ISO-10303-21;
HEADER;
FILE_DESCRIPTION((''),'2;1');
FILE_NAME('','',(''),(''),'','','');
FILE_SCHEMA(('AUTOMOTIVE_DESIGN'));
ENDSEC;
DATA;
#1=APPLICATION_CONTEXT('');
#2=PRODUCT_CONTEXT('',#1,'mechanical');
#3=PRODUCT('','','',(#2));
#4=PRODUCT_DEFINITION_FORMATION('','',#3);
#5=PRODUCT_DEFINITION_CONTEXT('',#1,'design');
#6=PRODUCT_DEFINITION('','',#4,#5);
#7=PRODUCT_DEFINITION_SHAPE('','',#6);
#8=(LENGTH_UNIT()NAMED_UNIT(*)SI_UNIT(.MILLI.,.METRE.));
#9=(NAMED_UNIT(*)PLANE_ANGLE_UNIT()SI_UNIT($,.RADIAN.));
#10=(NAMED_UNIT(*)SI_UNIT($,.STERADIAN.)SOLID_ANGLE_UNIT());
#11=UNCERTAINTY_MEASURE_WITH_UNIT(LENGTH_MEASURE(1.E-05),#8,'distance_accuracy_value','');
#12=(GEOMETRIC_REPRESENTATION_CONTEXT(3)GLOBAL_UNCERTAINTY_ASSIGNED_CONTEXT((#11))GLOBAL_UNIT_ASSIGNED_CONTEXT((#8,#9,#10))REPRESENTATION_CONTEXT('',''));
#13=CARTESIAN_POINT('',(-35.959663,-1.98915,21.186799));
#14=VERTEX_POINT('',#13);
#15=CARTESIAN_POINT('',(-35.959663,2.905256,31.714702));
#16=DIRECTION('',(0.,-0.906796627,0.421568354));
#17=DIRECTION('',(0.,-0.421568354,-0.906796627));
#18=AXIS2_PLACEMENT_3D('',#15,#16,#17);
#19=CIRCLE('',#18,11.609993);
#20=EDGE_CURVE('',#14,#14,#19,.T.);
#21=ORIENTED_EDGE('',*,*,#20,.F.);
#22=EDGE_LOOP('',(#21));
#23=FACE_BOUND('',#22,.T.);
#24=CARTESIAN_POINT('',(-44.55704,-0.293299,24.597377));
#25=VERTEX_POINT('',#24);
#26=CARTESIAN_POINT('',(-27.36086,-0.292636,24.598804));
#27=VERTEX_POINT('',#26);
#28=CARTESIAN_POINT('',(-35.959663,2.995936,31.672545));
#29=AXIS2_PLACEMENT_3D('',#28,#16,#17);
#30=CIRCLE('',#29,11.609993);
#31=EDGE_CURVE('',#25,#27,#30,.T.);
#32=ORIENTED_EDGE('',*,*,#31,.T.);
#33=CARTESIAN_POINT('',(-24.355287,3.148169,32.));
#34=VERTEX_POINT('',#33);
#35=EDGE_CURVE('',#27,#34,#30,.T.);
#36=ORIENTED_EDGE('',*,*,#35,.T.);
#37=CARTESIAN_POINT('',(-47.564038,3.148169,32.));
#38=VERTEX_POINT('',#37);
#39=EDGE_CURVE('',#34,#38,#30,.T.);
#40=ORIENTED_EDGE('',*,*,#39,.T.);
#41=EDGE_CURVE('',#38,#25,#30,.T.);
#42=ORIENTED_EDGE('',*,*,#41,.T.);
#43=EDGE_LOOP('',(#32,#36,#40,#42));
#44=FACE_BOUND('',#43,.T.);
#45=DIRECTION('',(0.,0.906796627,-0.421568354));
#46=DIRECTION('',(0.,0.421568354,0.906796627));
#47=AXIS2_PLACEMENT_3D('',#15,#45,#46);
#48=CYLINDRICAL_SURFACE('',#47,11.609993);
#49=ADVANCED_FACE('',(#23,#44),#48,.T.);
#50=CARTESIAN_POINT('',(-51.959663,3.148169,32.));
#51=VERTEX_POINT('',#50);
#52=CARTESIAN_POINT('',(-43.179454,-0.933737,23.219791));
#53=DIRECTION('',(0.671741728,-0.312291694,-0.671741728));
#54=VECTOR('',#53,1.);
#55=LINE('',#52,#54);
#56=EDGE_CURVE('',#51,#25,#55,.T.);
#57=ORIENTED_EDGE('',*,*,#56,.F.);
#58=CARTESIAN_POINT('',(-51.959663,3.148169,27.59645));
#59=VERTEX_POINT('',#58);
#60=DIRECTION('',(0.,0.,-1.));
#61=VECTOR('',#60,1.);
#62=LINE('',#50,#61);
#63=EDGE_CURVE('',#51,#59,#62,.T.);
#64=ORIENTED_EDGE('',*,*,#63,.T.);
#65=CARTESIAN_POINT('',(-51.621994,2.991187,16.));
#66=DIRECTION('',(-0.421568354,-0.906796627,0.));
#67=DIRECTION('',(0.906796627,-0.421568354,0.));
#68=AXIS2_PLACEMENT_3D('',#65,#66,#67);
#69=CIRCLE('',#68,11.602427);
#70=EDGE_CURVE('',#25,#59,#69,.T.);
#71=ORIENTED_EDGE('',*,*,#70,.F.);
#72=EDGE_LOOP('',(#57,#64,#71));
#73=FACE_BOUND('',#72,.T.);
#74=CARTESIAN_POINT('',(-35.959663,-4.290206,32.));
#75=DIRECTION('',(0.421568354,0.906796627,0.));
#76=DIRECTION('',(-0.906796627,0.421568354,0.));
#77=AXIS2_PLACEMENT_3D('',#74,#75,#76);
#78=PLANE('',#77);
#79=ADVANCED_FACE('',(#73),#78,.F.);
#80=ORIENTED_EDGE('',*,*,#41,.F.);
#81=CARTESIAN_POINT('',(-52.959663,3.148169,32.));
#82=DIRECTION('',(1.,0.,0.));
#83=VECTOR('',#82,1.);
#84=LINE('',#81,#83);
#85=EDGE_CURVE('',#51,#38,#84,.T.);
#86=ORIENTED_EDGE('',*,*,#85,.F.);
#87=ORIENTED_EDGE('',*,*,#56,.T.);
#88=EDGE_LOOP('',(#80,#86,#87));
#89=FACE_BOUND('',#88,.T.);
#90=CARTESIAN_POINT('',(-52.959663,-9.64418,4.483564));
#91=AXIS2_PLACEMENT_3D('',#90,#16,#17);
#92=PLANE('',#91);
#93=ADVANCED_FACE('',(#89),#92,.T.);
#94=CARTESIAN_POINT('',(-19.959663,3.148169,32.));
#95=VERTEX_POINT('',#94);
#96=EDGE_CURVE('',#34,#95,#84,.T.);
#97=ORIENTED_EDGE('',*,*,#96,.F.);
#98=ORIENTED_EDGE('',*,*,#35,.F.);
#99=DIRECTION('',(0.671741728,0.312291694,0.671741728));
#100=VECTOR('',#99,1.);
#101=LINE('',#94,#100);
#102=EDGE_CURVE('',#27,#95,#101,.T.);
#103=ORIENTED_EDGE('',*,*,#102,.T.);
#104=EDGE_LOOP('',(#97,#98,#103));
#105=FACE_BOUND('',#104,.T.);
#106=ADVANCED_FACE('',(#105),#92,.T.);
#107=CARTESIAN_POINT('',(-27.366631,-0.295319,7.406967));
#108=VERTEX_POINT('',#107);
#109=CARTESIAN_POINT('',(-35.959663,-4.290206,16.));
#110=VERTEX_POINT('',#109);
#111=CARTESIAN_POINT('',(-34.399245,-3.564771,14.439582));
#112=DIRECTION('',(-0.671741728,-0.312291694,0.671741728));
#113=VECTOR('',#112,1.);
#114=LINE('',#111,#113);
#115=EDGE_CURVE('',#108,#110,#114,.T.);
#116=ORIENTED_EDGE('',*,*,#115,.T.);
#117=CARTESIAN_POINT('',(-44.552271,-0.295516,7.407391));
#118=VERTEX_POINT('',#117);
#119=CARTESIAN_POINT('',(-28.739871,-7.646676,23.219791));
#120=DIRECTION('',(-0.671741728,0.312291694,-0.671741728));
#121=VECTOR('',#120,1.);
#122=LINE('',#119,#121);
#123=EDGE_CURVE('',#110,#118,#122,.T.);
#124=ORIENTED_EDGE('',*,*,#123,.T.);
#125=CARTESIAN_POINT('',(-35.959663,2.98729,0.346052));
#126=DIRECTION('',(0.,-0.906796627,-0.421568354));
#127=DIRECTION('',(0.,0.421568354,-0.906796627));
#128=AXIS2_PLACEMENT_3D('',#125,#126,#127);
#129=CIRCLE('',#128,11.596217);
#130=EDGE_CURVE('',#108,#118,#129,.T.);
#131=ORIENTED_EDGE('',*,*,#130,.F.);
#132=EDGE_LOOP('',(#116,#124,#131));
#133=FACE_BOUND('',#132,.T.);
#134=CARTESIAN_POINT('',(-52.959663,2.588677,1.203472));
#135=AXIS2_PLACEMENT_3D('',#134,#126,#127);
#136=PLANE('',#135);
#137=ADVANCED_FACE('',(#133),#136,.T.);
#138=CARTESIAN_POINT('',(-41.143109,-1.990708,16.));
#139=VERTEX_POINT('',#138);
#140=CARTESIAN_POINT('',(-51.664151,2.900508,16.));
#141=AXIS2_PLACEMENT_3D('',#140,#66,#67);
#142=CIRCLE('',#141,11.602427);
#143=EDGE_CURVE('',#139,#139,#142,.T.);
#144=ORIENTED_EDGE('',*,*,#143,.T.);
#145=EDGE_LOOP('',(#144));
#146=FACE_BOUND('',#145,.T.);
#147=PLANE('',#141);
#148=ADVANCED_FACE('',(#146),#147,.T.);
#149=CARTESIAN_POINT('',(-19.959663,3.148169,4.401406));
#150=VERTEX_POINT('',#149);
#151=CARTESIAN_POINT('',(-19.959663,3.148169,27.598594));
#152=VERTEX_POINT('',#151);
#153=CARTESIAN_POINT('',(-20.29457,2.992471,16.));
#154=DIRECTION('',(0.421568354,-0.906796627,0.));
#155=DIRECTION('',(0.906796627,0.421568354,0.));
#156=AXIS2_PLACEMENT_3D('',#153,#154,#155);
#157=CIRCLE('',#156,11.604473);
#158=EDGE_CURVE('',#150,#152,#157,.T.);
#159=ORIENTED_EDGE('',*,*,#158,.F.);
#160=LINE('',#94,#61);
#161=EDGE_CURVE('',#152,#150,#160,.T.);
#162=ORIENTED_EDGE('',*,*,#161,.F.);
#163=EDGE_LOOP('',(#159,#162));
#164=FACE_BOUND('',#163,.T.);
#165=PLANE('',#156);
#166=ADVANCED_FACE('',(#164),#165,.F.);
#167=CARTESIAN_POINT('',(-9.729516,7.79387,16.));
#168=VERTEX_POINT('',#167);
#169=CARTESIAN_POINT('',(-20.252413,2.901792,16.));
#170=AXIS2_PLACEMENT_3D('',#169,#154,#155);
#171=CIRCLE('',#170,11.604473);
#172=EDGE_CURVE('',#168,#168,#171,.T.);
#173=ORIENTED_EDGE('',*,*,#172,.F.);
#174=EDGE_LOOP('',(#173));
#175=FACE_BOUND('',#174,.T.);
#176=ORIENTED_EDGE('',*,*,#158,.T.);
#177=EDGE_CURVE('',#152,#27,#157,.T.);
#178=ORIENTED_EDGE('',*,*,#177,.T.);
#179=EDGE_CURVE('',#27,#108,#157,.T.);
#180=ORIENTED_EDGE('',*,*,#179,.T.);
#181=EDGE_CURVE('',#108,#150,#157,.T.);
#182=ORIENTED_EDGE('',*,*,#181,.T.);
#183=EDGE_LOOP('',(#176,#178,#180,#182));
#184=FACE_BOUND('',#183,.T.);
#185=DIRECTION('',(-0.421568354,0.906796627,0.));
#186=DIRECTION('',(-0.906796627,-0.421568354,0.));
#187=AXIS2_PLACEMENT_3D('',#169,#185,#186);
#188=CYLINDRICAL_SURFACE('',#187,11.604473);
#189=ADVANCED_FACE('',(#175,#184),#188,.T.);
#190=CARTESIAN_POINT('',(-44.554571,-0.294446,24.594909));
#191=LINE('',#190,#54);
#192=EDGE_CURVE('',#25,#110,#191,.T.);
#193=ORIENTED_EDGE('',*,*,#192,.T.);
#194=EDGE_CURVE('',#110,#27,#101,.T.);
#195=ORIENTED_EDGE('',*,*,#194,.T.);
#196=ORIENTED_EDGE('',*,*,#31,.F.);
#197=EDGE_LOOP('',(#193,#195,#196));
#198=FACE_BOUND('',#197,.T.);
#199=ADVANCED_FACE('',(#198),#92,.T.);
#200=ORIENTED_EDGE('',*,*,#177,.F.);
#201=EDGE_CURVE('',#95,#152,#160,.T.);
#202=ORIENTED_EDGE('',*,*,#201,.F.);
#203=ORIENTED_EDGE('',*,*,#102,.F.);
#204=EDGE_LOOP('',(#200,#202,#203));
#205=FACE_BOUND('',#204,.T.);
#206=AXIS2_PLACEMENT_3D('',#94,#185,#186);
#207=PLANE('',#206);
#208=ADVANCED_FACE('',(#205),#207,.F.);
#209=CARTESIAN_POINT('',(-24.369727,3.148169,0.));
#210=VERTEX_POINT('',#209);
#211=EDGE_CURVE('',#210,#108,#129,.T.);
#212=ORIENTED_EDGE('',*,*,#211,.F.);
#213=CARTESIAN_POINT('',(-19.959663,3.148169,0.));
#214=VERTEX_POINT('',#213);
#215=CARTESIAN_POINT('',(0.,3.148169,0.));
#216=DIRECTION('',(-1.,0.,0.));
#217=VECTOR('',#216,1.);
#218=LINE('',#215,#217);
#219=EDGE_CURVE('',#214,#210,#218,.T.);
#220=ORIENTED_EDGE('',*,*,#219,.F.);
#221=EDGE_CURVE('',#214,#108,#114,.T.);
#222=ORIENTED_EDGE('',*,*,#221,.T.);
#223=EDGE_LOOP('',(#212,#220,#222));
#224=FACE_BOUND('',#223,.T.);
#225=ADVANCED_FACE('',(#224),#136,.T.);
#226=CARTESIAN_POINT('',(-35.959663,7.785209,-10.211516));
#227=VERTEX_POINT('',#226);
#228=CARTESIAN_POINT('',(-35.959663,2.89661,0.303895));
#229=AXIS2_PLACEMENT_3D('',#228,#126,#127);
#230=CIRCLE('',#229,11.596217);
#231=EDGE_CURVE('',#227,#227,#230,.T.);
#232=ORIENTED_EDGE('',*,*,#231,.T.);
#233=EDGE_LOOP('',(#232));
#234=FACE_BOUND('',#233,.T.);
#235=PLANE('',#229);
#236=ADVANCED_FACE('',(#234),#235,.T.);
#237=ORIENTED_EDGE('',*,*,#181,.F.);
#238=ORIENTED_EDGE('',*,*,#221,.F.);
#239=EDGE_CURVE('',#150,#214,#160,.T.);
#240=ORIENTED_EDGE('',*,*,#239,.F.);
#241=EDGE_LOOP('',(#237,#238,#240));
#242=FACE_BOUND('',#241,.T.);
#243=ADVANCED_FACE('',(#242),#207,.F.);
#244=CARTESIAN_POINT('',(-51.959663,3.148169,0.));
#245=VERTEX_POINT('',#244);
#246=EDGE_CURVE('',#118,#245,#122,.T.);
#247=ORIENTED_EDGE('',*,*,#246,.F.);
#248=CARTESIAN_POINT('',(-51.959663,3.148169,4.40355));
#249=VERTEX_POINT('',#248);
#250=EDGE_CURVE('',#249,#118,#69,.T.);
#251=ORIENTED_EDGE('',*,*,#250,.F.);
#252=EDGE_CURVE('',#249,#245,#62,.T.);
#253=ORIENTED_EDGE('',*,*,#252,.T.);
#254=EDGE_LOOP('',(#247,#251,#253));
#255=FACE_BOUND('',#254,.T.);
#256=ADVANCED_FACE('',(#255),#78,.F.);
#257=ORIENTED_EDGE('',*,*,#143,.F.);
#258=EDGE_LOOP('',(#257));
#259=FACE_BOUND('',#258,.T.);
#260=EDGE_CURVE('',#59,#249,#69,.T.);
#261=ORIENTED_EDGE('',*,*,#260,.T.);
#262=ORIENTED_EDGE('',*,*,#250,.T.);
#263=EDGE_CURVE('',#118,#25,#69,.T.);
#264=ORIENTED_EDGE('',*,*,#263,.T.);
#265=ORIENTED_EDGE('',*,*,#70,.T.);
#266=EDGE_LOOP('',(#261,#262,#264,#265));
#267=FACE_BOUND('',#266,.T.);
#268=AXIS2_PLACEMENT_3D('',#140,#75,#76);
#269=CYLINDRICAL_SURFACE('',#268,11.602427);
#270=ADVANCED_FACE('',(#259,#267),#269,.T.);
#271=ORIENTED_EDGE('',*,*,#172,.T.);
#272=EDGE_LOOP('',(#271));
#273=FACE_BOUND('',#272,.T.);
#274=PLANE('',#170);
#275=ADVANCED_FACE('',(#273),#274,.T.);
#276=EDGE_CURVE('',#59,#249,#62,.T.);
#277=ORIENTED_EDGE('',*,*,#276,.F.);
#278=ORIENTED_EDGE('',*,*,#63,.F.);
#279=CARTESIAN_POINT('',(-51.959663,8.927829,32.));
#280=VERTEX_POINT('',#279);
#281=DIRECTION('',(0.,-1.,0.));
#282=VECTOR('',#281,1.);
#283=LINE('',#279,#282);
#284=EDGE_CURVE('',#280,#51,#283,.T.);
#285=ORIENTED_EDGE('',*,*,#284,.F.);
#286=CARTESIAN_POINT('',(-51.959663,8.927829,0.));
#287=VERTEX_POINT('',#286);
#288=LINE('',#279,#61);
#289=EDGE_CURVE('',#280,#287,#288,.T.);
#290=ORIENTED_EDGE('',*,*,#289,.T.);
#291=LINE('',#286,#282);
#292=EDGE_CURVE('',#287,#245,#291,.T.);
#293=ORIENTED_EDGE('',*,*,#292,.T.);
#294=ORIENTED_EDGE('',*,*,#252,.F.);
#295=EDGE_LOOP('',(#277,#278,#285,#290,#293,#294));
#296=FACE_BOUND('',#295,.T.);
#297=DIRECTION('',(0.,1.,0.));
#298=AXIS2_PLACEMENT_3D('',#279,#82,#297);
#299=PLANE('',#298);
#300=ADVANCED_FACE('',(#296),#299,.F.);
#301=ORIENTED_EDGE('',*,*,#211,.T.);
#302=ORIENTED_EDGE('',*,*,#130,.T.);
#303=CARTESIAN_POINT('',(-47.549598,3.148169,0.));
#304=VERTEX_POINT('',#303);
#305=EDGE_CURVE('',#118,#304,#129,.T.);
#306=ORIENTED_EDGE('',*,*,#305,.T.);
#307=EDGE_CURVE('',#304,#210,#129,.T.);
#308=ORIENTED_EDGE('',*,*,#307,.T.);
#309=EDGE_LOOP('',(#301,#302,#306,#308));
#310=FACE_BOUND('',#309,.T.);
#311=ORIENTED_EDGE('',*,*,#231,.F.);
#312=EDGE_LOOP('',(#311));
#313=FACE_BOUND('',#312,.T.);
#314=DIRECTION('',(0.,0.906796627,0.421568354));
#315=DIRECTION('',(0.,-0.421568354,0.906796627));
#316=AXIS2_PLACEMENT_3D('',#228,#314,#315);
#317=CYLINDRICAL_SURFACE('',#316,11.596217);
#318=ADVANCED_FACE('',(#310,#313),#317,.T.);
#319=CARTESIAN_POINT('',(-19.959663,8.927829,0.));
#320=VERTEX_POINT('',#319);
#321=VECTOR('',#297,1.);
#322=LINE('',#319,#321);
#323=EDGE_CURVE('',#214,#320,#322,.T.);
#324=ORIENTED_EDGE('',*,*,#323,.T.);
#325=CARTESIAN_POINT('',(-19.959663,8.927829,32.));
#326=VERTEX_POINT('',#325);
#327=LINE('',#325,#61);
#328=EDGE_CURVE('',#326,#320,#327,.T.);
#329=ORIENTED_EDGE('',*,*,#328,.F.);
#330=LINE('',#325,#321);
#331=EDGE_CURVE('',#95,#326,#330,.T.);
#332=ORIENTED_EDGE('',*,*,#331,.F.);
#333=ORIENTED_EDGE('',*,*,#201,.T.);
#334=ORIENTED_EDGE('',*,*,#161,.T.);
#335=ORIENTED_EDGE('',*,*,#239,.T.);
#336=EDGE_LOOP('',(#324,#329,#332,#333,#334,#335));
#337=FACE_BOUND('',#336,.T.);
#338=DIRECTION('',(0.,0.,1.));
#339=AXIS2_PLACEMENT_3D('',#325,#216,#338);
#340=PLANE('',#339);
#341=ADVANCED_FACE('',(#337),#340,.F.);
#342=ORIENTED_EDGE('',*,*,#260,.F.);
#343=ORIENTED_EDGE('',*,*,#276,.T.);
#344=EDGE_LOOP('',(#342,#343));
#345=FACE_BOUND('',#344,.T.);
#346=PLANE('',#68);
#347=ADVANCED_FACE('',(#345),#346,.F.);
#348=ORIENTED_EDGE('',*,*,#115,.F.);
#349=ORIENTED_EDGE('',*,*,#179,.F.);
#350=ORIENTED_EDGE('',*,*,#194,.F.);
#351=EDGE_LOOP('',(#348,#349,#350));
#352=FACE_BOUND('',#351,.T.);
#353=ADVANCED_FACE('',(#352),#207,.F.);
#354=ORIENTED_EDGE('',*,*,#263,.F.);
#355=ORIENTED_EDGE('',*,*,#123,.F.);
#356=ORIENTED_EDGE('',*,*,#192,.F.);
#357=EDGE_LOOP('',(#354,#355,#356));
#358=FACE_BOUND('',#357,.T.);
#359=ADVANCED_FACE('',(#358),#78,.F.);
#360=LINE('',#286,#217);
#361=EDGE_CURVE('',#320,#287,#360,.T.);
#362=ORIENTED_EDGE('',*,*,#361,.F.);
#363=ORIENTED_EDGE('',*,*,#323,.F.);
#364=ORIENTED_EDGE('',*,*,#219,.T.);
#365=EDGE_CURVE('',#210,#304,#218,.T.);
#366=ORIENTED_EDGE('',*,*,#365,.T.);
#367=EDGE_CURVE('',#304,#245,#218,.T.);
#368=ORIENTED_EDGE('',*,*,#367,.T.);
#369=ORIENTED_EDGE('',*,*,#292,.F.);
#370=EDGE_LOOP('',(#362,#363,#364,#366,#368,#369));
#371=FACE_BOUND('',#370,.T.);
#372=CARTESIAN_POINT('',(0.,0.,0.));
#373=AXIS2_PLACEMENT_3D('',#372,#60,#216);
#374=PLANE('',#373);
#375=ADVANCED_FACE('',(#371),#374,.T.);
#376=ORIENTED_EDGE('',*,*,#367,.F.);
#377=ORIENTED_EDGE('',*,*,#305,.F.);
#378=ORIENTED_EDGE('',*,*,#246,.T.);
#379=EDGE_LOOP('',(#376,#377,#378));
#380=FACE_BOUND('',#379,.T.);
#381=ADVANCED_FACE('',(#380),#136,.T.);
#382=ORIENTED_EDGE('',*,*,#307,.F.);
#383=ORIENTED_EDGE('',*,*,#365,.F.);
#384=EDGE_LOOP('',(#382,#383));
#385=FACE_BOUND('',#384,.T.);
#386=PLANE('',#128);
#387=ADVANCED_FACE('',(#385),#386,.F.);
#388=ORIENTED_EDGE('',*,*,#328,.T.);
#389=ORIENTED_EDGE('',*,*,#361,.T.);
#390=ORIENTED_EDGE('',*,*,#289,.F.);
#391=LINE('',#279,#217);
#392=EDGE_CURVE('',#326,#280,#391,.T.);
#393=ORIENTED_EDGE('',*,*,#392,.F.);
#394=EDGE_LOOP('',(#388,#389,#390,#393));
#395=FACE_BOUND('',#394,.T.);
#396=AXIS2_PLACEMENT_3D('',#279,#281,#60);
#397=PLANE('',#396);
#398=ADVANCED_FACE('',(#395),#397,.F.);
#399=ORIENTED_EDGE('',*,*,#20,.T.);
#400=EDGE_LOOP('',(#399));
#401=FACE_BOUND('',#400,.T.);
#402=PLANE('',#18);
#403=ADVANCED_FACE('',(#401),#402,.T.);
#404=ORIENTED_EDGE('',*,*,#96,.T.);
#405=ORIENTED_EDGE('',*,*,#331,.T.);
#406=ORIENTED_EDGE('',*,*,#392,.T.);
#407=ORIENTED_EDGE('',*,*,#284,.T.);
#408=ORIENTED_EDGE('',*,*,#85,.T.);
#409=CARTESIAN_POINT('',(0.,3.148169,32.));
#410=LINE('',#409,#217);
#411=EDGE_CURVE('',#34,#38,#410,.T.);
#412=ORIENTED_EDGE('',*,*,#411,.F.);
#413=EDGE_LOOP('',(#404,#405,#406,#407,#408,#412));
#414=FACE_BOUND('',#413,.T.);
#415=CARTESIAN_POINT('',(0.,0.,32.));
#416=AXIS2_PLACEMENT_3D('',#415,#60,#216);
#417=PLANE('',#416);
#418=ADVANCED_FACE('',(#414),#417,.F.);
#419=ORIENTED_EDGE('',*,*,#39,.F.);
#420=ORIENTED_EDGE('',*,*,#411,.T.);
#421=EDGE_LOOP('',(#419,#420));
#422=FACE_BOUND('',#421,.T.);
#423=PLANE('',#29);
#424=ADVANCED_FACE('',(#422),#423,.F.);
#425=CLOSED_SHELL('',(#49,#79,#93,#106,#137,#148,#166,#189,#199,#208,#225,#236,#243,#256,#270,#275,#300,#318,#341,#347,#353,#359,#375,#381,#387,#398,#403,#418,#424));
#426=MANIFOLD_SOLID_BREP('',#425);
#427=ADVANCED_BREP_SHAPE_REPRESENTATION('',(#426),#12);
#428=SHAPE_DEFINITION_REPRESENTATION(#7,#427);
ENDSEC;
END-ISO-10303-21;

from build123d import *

# Parameters (mm, degrees)
SALIENTE_EXTRUIR1_DEPTH = 32
CORTAR_EXTRUIR1_DEPTH   = 33
CROQUIS3_R              = 11.604472628
SALIENTE_EXTRUIR2_DEPTH = 0.1
CROQUIS4_R              = 11.609993134
SALIENTE_EXTRUIR3_DEPTH = 0.1
CROQUIS6_R              = 11.602426911
SALIENTE_EXTRUIR4_DEPTH = 0.1
CROQUIS7_R              = 11.59621687
SALIENTE_EXTRUIR5_DEPTH = 0.1


with BuildPart() as part:
    # Croquis1 → Saliente-Extruir1 (new body)
    with BuildSketch(Plane.XY):
        Polygon((-51.959662641, 8.927829358), (-51.959662641, 3.148169014), (-35.959662641, -4.290206314), (-19.959662641, 3.148169014), (-19.959662641, 8.927829358), align=None)
    extrude(amount=SALIENTE_EXTRUIR1_DEPTH)

    # Croquis2 → Cortar-Extruir1 (cut)
    with BuildSketch(Plane(origin=(-19.959662641, 0, 0), x_dir=(0, 0, -1), z_dir=(1, 0, 0))):
        Polygon((0, -4.290206314), (-16, -4.290206314), (0, 3.148169014), align=None)
        Polygon((-32, -4.290206314), (-32, 3.148169014), (-16, -4.290206314), align=None)
    extrude(amount=-CORTAR_EXTRUIR1_DEPTH, mode=Mode.SUBTRACT)

    # Croquis3 → Saliente-Extruir2 (add)
    with BuildSketch(Plane(origin=(-4.750700642, 10.218791996, 0), x_dir=(-0.9067966272160485, -0.42156835373353035, 0), z_dir=(0.42156835373353035, -0.9067966272160485, 0))):
        with Locations(Location((17.141516117, -16, 0), (0, 0, 312.201634939))):
            Circle(CROQUIS3_R)
    extrude(amount=SALIENTE_EXTRUIR2_DEPTH)

    # Croquis4 → Saliente-Extruir3 (add)
    with BuildSketch(Plane(origin=(0, -9.644179557, 4.483564205), x_dir=(-1, 0, 0), z_dir=(0, -0.9067966272160485, 0.4215683537335304))):
        with Locations(Location((35.959662641, -29.983548914, 0), (0, 0, 181.782387553))):
            Circle(CROQUIS4_R)
    extrude(amount=SALIENTE_EXTRUIR3_DEPTH)

    # Croquis6 → Saliente-Extruir4 (add)
    with BuildSketch(Plane(origin=(-8.030792992, -17.274294748, 0), x_dir=(-0.9067966272160486, 0.4215683537335302, 0), z_dir=(-0.4215683537335302, -0.9067966272160486, 0))):
        with Locations(Location((48.071640088, -16, 0), (0, 0, 271.839200589))):
            Circle(CROQUIS6_R)
    extrude(amount=SALIENTE_EXTRUIR4_DEPTH)

    # Croquis7 → Saliente-Extruir5 (add)
    with BuildSketch(Plane(origin=(0, 2.588676805, 1.203471855), x_dir=(-1, 0, 0), z_dir=(0, -0.9067966272160485, -0.4215683537335304))):
        with Locations(Location((35.959662641, 0.945548569, 0), (0, 0, 317.815283521))):
            Circle(CROQUIS7_R)
    extrude(amount=SALIENTE_EXTRUIR5_DEPTH)


solid = part.part
